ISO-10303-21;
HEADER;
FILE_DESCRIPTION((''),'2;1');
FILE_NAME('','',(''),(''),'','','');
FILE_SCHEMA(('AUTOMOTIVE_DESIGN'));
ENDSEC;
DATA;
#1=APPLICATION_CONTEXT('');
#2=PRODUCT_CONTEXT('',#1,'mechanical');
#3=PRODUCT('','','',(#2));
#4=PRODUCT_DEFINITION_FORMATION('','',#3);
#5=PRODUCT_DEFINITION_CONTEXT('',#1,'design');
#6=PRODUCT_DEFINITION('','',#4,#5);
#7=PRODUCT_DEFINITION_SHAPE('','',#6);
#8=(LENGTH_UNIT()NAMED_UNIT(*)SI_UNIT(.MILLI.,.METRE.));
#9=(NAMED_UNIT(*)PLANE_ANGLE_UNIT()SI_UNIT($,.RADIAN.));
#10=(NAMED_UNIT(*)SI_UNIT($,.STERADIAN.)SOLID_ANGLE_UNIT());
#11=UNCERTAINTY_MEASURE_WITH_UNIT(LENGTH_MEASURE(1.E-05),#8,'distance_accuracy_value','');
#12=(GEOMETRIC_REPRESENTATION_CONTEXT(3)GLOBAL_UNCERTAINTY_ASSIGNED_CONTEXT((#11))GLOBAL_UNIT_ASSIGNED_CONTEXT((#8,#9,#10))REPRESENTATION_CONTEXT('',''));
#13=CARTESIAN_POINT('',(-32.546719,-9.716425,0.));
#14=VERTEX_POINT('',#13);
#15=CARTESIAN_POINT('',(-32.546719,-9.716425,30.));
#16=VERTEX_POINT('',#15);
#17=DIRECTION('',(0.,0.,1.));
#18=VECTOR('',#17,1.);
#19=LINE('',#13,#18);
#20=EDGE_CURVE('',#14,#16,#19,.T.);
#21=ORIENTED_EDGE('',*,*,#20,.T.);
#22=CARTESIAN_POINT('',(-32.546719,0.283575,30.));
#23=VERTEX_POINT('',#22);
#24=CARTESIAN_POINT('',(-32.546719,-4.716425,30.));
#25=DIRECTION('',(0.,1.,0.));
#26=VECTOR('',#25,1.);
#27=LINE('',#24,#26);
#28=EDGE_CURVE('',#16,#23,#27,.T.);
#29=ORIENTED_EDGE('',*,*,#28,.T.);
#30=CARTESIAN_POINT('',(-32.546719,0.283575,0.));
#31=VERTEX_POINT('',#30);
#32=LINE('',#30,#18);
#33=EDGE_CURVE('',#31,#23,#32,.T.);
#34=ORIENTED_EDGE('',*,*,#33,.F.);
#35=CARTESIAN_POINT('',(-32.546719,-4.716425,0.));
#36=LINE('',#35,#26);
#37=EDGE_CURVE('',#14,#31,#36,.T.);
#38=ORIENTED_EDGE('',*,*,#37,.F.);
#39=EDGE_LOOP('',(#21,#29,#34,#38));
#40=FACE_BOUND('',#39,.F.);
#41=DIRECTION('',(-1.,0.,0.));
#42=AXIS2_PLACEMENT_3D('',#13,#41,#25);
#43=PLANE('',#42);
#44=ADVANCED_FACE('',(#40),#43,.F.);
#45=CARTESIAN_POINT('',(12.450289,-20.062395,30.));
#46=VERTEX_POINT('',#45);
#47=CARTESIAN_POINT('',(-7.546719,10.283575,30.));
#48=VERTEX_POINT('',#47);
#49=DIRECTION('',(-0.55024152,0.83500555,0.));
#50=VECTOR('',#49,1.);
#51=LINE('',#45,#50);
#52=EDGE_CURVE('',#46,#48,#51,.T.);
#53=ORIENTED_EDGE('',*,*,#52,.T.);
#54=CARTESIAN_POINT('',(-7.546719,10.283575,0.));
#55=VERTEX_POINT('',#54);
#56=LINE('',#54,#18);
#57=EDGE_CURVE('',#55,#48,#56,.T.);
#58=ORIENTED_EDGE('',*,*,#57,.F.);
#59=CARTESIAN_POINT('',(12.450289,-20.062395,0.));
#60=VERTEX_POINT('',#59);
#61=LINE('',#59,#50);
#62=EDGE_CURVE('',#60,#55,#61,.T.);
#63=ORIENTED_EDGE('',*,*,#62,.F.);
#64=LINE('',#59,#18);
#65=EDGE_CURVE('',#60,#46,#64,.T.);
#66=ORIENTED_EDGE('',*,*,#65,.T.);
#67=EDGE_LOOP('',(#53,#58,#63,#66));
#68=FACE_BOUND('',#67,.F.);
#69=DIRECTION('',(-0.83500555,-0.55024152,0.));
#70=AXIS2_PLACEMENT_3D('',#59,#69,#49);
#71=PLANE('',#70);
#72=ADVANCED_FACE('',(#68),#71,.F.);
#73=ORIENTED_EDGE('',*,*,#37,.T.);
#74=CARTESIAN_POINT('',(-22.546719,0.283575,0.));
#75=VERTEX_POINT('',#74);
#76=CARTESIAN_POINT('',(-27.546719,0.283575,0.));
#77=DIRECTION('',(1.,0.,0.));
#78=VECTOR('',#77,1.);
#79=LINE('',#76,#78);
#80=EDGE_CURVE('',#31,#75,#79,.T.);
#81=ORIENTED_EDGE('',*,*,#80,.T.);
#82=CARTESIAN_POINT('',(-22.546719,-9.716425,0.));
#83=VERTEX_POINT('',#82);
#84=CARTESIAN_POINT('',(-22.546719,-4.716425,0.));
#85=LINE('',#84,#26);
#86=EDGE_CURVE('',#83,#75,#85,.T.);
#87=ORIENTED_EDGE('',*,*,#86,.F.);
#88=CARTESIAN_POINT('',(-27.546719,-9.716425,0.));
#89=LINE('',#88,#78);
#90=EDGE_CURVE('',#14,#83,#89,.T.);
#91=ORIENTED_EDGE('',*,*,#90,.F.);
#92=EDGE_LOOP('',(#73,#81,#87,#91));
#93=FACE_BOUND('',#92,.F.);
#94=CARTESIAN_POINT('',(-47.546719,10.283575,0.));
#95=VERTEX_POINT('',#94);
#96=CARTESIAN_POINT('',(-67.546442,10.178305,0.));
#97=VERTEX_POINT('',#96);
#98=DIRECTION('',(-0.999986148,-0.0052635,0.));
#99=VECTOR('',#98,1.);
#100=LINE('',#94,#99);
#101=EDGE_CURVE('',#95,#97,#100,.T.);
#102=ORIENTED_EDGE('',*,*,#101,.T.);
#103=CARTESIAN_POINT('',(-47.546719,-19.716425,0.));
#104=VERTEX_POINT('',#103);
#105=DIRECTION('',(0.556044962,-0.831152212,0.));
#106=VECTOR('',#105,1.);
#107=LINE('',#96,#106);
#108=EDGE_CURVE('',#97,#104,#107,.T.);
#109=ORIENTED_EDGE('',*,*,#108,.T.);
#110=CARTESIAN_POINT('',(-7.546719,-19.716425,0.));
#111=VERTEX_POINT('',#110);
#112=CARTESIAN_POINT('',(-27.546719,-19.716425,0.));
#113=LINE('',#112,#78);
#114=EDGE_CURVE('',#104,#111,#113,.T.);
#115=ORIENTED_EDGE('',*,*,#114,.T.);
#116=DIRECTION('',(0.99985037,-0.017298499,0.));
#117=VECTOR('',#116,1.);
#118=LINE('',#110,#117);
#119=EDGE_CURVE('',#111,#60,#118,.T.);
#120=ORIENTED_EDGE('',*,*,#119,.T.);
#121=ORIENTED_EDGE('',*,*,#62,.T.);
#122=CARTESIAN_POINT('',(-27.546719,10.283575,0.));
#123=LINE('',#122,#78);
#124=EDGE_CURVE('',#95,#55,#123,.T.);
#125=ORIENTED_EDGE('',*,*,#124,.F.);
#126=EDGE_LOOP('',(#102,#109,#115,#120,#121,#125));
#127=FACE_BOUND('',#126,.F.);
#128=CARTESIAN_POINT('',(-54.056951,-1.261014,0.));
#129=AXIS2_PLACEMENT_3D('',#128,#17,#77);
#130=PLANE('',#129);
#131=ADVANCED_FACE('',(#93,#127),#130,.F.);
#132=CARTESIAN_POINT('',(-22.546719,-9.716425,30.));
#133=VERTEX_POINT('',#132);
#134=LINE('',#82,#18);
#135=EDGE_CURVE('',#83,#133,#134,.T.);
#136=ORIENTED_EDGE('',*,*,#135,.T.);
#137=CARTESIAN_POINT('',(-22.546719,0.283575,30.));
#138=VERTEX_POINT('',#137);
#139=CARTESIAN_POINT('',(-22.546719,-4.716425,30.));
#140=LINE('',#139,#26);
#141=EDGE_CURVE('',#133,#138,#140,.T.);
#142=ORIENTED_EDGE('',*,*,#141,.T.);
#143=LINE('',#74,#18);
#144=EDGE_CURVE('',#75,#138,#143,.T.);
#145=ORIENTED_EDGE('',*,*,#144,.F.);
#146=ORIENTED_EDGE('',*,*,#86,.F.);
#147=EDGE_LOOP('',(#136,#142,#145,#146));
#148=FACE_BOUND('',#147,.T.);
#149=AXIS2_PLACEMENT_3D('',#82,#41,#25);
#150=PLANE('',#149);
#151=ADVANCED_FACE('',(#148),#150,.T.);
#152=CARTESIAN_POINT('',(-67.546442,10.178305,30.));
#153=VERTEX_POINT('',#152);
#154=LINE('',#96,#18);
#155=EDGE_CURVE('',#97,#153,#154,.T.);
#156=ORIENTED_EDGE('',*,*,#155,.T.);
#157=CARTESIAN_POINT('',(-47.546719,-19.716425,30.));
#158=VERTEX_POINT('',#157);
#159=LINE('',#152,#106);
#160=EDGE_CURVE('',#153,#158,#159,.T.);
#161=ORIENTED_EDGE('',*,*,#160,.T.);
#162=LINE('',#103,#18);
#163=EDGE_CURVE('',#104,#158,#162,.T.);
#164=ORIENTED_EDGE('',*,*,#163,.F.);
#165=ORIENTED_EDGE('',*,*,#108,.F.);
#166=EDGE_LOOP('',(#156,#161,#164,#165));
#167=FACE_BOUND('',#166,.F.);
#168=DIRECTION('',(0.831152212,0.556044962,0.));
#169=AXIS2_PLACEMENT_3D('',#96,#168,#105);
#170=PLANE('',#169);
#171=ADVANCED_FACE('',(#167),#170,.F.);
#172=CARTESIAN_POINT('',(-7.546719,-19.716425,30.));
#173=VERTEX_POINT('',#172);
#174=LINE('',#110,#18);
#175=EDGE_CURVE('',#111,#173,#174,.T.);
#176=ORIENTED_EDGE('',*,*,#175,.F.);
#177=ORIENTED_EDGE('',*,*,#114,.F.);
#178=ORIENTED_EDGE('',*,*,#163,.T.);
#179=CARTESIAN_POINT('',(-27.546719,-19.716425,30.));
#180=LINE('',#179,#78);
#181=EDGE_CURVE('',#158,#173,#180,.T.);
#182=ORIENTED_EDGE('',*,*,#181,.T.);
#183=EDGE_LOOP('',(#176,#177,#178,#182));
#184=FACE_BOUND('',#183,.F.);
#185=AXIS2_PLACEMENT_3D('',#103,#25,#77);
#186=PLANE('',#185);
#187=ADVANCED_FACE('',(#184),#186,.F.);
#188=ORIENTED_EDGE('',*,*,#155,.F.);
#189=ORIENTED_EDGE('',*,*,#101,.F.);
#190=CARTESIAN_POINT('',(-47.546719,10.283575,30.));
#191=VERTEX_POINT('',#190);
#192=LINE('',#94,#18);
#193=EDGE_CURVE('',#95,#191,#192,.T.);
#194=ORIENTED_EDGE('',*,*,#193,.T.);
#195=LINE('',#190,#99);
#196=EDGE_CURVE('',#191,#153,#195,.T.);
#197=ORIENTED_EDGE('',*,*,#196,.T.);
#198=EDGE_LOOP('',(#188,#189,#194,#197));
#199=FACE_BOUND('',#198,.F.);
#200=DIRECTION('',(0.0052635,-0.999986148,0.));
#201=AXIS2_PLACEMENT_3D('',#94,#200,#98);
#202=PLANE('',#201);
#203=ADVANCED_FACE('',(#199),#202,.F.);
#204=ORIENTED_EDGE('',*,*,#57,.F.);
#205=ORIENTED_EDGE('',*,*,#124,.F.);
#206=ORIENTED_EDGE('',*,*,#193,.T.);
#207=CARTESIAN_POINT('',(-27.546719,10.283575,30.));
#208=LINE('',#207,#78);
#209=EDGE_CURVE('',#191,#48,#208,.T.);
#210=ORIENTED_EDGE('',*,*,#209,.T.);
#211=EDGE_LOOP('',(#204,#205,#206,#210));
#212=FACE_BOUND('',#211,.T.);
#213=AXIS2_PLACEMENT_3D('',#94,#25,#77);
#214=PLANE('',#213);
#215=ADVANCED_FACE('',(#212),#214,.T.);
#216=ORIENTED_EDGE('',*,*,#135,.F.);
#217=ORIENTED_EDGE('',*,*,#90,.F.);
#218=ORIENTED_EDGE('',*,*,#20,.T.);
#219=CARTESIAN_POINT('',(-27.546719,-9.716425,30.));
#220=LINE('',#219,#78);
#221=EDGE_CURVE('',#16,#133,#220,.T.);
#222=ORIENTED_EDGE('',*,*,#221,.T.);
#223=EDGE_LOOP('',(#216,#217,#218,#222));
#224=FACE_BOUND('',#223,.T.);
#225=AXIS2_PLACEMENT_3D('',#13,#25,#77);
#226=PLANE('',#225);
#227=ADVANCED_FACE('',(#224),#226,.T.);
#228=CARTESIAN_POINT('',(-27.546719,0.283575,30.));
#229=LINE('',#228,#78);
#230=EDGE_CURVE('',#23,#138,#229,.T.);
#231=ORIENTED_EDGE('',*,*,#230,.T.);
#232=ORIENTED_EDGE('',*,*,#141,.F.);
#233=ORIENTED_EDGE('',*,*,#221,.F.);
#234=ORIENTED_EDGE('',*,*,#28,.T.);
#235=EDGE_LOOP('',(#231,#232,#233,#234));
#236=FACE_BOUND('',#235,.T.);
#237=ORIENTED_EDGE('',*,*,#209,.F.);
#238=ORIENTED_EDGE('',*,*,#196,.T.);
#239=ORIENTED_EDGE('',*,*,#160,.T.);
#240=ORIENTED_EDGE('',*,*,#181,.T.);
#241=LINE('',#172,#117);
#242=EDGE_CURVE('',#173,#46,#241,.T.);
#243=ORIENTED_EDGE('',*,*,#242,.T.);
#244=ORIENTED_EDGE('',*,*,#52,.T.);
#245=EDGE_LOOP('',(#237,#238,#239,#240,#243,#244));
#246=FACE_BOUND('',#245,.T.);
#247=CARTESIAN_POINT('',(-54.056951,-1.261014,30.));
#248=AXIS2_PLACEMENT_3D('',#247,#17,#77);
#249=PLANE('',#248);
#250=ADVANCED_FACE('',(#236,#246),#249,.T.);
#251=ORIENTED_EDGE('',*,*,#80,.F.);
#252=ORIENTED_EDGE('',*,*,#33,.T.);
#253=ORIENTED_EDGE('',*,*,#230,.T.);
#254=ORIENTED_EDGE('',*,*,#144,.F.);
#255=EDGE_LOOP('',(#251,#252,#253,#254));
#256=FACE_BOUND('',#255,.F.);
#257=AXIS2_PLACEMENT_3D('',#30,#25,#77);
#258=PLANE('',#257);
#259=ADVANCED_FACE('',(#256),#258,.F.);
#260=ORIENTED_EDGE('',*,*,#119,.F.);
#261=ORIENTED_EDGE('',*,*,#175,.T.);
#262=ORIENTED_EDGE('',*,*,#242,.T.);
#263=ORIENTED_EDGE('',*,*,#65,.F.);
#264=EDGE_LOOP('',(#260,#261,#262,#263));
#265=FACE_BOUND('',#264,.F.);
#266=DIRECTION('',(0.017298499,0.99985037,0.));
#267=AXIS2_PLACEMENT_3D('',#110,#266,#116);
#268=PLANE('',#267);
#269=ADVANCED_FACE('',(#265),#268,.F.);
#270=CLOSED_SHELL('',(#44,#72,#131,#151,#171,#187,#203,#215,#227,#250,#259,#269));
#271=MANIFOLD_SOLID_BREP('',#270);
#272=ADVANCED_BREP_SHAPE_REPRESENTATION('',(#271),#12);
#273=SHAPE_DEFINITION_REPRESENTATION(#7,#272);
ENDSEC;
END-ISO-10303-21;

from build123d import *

# Parameters (mm, degrees)
F0_W     = 40
F0_H     = 30
F0_W_2   = 10
F0_H_2   = 10
F1_DEPTH = 30


with BuildPart() as f1:
    # F0 (on Top) → F1 (new body)
    with BuildSketch(Plane.XY):
        Polygon((-47.546719, -19.716425), (-47.546719, 10.283575), (-67.546442, 10.178305), align=None)
        with Locations((-27.546719, -4.716425)):
            Rectangle(F0_W, F0_H)
        with Locations((-27.546719, -4.716425)):
            Rectangle(F0_W_2, F0_H_2, mode=Mode.SUBTRACT)
        Polygon((12.450289, -20.062395), (-7.546719, 10.283575), (-7.546719, -19.716425), align=None)
    extrude(amount=F1_DEPTH)


solid = f1.part
